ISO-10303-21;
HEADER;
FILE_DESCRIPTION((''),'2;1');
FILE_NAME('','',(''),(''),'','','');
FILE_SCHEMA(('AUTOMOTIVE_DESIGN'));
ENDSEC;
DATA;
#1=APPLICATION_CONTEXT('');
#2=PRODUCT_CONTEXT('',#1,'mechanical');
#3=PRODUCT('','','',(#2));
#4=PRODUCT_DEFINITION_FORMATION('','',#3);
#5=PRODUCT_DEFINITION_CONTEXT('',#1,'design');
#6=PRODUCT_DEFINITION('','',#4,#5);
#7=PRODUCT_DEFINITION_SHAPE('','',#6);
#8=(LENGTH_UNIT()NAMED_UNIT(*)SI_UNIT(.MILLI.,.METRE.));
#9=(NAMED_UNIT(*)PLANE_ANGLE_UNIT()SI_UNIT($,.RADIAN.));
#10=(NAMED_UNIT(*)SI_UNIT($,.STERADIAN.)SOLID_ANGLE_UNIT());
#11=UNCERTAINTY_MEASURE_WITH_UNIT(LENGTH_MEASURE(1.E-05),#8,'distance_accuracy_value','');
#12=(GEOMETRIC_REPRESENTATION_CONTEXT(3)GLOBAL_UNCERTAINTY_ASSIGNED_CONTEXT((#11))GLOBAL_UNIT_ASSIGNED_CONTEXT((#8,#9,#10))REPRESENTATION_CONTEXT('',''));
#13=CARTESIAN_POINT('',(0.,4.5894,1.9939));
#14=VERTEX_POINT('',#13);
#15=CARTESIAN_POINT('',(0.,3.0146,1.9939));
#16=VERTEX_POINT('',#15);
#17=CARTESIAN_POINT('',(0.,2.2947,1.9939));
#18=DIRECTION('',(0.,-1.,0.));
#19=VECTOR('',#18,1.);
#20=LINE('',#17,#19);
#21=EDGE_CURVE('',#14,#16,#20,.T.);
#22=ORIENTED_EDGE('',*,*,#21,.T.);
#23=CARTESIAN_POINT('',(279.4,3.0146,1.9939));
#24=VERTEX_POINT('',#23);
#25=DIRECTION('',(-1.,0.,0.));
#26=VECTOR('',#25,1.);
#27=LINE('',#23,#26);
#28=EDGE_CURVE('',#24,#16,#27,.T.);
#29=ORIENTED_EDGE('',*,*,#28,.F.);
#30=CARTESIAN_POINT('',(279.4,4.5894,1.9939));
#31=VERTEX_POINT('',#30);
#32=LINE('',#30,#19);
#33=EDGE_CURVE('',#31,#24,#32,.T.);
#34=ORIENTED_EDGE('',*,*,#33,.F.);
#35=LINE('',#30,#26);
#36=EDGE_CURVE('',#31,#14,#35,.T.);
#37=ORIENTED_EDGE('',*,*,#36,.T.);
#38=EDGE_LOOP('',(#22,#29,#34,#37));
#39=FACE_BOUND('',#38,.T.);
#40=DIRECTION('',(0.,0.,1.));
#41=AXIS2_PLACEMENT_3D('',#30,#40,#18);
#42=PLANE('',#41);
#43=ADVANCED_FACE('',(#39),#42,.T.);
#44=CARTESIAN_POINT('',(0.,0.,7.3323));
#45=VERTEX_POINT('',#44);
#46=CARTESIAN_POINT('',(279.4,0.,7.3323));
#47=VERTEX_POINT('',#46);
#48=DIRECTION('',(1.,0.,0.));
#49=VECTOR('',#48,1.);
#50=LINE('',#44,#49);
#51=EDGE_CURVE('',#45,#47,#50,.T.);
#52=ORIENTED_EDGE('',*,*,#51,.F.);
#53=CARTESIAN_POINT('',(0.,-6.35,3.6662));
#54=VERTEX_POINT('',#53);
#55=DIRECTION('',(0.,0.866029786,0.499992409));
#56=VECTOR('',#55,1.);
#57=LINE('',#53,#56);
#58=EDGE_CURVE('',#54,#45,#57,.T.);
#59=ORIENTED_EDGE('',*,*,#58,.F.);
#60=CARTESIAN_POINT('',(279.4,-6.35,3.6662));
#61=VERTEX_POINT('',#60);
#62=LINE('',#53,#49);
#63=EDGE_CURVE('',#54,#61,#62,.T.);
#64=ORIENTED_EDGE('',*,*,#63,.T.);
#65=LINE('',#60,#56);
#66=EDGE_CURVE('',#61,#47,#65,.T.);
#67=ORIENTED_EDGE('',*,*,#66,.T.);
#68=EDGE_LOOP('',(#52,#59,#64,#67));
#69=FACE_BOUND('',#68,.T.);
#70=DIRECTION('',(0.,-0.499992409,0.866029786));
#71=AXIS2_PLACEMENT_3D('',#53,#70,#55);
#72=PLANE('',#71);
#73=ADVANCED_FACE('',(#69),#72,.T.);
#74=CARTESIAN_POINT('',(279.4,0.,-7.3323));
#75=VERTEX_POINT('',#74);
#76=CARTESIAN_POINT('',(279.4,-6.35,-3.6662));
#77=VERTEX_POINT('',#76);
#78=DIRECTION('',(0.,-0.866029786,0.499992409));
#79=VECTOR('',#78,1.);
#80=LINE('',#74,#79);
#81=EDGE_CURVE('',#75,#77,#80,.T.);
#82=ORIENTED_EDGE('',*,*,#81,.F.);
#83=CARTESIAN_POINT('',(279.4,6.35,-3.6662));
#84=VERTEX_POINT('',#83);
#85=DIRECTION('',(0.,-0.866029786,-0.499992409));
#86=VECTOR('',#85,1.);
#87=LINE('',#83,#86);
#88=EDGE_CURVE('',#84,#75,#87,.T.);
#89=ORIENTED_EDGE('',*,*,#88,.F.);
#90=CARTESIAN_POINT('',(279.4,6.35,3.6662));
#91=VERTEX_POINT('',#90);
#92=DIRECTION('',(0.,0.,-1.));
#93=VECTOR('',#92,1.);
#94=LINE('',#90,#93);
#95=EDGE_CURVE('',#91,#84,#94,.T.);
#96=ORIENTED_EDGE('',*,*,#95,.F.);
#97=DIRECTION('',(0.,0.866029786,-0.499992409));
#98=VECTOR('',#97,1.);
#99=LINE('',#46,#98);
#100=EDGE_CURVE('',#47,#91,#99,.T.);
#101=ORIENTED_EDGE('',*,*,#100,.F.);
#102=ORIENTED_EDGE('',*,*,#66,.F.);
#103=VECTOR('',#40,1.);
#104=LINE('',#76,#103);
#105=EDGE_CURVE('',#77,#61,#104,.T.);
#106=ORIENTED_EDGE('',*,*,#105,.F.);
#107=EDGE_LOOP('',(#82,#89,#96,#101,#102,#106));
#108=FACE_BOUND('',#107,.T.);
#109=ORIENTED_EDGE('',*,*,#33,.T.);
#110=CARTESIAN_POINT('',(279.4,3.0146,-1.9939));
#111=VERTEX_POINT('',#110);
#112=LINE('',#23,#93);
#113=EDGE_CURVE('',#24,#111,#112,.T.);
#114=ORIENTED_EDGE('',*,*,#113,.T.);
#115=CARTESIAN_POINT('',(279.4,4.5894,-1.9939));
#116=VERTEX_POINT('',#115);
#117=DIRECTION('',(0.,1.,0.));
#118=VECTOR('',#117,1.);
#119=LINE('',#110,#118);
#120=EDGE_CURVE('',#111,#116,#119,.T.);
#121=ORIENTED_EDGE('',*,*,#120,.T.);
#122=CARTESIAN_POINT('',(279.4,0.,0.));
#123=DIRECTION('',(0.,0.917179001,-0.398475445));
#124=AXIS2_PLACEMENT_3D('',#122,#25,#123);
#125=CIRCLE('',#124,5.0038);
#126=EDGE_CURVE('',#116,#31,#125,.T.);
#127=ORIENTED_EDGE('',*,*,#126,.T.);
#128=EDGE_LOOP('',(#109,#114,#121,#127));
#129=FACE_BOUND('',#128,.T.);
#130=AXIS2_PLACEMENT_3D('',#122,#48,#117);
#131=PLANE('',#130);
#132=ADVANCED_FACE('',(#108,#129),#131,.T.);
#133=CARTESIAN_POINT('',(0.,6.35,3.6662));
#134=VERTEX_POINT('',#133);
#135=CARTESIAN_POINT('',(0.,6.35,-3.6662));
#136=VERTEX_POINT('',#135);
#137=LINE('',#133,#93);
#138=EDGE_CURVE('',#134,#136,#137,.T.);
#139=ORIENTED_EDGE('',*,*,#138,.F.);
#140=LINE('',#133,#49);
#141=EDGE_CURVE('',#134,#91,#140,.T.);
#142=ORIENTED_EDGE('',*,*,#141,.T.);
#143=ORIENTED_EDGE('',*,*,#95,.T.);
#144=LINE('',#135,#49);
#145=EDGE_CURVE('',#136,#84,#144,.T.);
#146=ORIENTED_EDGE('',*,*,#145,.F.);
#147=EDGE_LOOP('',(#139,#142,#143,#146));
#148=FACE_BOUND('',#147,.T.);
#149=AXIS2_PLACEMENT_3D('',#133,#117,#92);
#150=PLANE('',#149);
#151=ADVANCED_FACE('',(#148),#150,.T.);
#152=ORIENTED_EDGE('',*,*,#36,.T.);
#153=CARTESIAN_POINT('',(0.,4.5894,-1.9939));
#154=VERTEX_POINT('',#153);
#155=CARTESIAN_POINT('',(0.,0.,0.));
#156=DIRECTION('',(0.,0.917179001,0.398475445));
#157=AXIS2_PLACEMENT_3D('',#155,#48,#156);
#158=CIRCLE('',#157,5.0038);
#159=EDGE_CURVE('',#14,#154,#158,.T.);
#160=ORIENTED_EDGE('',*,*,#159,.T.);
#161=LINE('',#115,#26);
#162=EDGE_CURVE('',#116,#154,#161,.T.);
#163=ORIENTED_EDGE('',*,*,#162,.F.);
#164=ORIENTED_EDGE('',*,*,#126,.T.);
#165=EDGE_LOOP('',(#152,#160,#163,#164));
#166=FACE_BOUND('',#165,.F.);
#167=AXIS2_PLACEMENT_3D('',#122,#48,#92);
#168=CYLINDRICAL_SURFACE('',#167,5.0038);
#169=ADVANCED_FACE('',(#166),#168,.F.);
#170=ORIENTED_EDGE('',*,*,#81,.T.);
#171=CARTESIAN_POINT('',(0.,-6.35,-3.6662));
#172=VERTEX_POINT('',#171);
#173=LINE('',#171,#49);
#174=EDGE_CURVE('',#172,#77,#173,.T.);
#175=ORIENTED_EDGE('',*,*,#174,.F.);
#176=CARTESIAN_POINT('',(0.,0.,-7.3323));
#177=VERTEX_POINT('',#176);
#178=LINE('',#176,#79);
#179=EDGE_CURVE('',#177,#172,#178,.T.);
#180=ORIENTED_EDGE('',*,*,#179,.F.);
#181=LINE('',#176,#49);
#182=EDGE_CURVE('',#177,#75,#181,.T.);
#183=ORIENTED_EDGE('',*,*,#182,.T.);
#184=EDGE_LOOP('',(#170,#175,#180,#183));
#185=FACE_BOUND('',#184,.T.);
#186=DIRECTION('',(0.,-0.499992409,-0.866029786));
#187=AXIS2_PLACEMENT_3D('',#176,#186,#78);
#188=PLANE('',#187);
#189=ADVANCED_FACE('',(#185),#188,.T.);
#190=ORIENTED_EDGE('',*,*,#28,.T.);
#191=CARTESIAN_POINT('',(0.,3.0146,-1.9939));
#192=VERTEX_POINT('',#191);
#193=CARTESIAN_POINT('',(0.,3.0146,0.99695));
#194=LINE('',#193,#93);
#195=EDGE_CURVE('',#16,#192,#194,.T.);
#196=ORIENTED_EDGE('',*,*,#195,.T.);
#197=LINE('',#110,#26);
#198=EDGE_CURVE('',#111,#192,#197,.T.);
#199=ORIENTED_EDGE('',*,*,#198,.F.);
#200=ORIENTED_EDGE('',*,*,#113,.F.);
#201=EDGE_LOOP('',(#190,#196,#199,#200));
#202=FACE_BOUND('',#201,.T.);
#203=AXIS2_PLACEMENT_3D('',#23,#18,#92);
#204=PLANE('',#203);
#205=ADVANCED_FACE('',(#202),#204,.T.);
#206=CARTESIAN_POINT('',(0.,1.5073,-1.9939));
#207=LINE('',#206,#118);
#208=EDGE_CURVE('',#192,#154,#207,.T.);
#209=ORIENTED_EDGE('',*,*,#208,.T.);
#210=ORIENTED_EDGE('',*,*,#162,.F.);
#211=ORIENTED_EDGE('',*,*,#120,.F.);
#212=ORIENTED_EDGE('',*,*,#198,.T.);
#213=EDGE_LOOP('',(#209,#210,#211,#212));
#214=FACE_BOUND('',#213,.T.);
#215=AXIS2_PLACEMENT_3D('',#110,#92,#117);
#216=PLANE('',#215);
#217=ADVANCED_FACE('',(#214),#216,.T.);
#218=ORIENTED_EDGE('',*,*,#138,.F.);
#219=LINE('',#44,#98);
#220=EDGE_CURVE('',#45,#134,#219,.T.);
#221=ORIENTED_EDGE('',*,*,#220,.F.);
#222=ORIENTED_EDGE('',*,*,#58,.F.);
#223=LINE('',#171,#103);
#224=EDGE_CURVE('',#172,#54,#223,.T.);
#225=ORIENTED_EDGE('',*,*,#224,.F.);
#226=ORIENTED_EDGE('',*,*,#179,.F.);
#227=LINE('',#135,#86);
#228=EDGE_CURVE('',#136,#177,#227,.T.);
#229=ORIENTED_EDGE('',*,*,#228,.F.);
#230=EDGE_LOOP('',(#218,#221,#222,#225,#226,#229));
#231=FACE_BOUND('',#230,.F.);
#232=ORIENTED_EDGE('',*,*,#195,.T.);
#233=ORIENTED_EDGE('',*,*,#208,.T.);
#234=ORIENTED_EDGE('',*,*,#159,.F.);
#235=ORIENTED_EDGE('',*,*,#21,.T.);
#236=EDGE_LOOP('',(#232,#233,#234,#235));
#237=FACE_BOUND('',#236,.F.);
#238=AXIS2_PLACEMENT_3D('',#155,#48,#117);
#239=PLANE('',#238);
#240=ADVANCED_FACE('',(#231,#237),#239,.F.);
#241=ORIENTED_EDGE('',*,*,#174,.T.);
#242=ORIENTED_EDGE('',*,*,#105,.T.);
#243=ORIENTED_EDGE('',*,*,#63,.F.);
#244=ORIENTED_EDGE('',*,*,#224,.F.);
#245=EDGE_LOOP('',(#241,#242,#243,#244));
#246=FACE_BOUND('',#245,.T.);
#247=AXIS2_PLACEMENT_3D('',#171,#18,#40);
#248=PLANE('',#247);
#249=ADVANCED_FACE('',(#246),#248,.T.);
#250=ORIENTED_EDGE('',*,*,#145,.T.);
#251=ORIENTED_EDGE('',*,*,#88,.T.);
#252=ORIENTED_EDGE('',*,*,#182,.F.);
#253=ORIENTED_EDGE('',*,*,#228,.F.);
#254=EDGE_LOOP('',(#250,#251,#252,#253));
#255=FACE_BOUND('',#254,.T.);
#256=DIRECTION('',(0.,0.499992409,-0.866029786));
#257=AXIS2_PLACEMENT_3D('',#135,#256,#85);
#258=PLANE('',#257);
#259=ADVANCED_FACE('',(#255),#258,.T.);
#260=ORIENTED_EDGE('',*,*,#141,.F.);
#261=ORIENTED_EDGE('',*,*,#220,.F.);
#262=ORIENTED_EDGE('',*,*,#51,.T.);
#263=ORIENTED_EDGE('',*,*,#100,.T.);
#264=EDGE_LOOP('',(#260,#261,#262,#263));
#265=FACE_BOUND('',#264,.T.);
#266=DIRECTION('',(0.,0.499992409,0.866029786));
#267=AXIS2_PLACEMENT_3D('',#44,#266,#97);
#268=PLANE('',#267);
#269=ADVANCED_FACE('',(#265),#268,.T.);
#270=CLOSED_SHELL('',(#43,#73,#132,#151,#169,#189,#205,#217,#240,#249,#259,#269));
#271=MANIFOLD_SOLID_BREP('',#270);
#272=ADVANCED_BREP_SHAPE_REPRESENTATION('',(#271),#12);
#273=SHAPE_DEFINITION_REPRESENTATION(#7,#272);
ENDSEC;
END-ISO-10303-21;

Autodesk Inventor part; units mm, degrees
ref_plane "YZ Plane" through (0, 0, 0) normal (1, 0, 0) x (0, 1, 0)
ref_plane "XZ Plane" through (0, 0, 0) normal (0, 1, 0) x (-1, 0, 0)
ref_plane "XY Plane" through (0, 0, 0) normal (0, 0, 1) x (1, 0, 0)
sketch "Sketch1" plane through (0, 0, 0) normal (1, 0, 0) x (0, 1, 0)
  line L0 (6.35, -3.6662) -> (0, -7.3323)
  line L1 (0, -7.3323) -> (-6.35, -3.6662)
  line L2 (-6.35, -3.6662) -> (-6.35, 3.6662)
  line L3 (-6.35, 3.6662) -> (0, 7.3323)
  line L4 (0, 7.3323) -> (6.35, 3.6662)
  line L5 (6.35, 3.6662) -> (6.35, -3.6662)
  point P0 (0, 0)
  point P1 (0, 0)
  dimension "d3" = 6.35
extrude "Extrusion1" add sketch "Sketch1" along normal blind 279.4
sketch "Sketch2" plane through (279.4, 0, 0) normal (1, 0, 0) x (0, 0, -1)
  circle A0 centre (0, 0) radius 5.0038
  line L0 (-1.9939, 4.5894) -> (-1.9939, 3.0146)
  line L1 (-1.9939, 3.0146) -> (1.9939, 3.0146)
  line L2 (1.9939, 3.0146) -> (1.9939, 4.5894)
  dimension "d6" = 5.0038
  dimension "d7" = 3.9878
  dimension "d8" = 1.9939
  dimension "d9" = 1.5748
  dimension "d10" = 1.5748
extrude "Extrusion2" cut sketch "Sketch2" against normal through all contours A0 L0 L1 L2 picked at (-0.1705, 0.3505)
properties part number "Axle" material "Steel, Alloy"
